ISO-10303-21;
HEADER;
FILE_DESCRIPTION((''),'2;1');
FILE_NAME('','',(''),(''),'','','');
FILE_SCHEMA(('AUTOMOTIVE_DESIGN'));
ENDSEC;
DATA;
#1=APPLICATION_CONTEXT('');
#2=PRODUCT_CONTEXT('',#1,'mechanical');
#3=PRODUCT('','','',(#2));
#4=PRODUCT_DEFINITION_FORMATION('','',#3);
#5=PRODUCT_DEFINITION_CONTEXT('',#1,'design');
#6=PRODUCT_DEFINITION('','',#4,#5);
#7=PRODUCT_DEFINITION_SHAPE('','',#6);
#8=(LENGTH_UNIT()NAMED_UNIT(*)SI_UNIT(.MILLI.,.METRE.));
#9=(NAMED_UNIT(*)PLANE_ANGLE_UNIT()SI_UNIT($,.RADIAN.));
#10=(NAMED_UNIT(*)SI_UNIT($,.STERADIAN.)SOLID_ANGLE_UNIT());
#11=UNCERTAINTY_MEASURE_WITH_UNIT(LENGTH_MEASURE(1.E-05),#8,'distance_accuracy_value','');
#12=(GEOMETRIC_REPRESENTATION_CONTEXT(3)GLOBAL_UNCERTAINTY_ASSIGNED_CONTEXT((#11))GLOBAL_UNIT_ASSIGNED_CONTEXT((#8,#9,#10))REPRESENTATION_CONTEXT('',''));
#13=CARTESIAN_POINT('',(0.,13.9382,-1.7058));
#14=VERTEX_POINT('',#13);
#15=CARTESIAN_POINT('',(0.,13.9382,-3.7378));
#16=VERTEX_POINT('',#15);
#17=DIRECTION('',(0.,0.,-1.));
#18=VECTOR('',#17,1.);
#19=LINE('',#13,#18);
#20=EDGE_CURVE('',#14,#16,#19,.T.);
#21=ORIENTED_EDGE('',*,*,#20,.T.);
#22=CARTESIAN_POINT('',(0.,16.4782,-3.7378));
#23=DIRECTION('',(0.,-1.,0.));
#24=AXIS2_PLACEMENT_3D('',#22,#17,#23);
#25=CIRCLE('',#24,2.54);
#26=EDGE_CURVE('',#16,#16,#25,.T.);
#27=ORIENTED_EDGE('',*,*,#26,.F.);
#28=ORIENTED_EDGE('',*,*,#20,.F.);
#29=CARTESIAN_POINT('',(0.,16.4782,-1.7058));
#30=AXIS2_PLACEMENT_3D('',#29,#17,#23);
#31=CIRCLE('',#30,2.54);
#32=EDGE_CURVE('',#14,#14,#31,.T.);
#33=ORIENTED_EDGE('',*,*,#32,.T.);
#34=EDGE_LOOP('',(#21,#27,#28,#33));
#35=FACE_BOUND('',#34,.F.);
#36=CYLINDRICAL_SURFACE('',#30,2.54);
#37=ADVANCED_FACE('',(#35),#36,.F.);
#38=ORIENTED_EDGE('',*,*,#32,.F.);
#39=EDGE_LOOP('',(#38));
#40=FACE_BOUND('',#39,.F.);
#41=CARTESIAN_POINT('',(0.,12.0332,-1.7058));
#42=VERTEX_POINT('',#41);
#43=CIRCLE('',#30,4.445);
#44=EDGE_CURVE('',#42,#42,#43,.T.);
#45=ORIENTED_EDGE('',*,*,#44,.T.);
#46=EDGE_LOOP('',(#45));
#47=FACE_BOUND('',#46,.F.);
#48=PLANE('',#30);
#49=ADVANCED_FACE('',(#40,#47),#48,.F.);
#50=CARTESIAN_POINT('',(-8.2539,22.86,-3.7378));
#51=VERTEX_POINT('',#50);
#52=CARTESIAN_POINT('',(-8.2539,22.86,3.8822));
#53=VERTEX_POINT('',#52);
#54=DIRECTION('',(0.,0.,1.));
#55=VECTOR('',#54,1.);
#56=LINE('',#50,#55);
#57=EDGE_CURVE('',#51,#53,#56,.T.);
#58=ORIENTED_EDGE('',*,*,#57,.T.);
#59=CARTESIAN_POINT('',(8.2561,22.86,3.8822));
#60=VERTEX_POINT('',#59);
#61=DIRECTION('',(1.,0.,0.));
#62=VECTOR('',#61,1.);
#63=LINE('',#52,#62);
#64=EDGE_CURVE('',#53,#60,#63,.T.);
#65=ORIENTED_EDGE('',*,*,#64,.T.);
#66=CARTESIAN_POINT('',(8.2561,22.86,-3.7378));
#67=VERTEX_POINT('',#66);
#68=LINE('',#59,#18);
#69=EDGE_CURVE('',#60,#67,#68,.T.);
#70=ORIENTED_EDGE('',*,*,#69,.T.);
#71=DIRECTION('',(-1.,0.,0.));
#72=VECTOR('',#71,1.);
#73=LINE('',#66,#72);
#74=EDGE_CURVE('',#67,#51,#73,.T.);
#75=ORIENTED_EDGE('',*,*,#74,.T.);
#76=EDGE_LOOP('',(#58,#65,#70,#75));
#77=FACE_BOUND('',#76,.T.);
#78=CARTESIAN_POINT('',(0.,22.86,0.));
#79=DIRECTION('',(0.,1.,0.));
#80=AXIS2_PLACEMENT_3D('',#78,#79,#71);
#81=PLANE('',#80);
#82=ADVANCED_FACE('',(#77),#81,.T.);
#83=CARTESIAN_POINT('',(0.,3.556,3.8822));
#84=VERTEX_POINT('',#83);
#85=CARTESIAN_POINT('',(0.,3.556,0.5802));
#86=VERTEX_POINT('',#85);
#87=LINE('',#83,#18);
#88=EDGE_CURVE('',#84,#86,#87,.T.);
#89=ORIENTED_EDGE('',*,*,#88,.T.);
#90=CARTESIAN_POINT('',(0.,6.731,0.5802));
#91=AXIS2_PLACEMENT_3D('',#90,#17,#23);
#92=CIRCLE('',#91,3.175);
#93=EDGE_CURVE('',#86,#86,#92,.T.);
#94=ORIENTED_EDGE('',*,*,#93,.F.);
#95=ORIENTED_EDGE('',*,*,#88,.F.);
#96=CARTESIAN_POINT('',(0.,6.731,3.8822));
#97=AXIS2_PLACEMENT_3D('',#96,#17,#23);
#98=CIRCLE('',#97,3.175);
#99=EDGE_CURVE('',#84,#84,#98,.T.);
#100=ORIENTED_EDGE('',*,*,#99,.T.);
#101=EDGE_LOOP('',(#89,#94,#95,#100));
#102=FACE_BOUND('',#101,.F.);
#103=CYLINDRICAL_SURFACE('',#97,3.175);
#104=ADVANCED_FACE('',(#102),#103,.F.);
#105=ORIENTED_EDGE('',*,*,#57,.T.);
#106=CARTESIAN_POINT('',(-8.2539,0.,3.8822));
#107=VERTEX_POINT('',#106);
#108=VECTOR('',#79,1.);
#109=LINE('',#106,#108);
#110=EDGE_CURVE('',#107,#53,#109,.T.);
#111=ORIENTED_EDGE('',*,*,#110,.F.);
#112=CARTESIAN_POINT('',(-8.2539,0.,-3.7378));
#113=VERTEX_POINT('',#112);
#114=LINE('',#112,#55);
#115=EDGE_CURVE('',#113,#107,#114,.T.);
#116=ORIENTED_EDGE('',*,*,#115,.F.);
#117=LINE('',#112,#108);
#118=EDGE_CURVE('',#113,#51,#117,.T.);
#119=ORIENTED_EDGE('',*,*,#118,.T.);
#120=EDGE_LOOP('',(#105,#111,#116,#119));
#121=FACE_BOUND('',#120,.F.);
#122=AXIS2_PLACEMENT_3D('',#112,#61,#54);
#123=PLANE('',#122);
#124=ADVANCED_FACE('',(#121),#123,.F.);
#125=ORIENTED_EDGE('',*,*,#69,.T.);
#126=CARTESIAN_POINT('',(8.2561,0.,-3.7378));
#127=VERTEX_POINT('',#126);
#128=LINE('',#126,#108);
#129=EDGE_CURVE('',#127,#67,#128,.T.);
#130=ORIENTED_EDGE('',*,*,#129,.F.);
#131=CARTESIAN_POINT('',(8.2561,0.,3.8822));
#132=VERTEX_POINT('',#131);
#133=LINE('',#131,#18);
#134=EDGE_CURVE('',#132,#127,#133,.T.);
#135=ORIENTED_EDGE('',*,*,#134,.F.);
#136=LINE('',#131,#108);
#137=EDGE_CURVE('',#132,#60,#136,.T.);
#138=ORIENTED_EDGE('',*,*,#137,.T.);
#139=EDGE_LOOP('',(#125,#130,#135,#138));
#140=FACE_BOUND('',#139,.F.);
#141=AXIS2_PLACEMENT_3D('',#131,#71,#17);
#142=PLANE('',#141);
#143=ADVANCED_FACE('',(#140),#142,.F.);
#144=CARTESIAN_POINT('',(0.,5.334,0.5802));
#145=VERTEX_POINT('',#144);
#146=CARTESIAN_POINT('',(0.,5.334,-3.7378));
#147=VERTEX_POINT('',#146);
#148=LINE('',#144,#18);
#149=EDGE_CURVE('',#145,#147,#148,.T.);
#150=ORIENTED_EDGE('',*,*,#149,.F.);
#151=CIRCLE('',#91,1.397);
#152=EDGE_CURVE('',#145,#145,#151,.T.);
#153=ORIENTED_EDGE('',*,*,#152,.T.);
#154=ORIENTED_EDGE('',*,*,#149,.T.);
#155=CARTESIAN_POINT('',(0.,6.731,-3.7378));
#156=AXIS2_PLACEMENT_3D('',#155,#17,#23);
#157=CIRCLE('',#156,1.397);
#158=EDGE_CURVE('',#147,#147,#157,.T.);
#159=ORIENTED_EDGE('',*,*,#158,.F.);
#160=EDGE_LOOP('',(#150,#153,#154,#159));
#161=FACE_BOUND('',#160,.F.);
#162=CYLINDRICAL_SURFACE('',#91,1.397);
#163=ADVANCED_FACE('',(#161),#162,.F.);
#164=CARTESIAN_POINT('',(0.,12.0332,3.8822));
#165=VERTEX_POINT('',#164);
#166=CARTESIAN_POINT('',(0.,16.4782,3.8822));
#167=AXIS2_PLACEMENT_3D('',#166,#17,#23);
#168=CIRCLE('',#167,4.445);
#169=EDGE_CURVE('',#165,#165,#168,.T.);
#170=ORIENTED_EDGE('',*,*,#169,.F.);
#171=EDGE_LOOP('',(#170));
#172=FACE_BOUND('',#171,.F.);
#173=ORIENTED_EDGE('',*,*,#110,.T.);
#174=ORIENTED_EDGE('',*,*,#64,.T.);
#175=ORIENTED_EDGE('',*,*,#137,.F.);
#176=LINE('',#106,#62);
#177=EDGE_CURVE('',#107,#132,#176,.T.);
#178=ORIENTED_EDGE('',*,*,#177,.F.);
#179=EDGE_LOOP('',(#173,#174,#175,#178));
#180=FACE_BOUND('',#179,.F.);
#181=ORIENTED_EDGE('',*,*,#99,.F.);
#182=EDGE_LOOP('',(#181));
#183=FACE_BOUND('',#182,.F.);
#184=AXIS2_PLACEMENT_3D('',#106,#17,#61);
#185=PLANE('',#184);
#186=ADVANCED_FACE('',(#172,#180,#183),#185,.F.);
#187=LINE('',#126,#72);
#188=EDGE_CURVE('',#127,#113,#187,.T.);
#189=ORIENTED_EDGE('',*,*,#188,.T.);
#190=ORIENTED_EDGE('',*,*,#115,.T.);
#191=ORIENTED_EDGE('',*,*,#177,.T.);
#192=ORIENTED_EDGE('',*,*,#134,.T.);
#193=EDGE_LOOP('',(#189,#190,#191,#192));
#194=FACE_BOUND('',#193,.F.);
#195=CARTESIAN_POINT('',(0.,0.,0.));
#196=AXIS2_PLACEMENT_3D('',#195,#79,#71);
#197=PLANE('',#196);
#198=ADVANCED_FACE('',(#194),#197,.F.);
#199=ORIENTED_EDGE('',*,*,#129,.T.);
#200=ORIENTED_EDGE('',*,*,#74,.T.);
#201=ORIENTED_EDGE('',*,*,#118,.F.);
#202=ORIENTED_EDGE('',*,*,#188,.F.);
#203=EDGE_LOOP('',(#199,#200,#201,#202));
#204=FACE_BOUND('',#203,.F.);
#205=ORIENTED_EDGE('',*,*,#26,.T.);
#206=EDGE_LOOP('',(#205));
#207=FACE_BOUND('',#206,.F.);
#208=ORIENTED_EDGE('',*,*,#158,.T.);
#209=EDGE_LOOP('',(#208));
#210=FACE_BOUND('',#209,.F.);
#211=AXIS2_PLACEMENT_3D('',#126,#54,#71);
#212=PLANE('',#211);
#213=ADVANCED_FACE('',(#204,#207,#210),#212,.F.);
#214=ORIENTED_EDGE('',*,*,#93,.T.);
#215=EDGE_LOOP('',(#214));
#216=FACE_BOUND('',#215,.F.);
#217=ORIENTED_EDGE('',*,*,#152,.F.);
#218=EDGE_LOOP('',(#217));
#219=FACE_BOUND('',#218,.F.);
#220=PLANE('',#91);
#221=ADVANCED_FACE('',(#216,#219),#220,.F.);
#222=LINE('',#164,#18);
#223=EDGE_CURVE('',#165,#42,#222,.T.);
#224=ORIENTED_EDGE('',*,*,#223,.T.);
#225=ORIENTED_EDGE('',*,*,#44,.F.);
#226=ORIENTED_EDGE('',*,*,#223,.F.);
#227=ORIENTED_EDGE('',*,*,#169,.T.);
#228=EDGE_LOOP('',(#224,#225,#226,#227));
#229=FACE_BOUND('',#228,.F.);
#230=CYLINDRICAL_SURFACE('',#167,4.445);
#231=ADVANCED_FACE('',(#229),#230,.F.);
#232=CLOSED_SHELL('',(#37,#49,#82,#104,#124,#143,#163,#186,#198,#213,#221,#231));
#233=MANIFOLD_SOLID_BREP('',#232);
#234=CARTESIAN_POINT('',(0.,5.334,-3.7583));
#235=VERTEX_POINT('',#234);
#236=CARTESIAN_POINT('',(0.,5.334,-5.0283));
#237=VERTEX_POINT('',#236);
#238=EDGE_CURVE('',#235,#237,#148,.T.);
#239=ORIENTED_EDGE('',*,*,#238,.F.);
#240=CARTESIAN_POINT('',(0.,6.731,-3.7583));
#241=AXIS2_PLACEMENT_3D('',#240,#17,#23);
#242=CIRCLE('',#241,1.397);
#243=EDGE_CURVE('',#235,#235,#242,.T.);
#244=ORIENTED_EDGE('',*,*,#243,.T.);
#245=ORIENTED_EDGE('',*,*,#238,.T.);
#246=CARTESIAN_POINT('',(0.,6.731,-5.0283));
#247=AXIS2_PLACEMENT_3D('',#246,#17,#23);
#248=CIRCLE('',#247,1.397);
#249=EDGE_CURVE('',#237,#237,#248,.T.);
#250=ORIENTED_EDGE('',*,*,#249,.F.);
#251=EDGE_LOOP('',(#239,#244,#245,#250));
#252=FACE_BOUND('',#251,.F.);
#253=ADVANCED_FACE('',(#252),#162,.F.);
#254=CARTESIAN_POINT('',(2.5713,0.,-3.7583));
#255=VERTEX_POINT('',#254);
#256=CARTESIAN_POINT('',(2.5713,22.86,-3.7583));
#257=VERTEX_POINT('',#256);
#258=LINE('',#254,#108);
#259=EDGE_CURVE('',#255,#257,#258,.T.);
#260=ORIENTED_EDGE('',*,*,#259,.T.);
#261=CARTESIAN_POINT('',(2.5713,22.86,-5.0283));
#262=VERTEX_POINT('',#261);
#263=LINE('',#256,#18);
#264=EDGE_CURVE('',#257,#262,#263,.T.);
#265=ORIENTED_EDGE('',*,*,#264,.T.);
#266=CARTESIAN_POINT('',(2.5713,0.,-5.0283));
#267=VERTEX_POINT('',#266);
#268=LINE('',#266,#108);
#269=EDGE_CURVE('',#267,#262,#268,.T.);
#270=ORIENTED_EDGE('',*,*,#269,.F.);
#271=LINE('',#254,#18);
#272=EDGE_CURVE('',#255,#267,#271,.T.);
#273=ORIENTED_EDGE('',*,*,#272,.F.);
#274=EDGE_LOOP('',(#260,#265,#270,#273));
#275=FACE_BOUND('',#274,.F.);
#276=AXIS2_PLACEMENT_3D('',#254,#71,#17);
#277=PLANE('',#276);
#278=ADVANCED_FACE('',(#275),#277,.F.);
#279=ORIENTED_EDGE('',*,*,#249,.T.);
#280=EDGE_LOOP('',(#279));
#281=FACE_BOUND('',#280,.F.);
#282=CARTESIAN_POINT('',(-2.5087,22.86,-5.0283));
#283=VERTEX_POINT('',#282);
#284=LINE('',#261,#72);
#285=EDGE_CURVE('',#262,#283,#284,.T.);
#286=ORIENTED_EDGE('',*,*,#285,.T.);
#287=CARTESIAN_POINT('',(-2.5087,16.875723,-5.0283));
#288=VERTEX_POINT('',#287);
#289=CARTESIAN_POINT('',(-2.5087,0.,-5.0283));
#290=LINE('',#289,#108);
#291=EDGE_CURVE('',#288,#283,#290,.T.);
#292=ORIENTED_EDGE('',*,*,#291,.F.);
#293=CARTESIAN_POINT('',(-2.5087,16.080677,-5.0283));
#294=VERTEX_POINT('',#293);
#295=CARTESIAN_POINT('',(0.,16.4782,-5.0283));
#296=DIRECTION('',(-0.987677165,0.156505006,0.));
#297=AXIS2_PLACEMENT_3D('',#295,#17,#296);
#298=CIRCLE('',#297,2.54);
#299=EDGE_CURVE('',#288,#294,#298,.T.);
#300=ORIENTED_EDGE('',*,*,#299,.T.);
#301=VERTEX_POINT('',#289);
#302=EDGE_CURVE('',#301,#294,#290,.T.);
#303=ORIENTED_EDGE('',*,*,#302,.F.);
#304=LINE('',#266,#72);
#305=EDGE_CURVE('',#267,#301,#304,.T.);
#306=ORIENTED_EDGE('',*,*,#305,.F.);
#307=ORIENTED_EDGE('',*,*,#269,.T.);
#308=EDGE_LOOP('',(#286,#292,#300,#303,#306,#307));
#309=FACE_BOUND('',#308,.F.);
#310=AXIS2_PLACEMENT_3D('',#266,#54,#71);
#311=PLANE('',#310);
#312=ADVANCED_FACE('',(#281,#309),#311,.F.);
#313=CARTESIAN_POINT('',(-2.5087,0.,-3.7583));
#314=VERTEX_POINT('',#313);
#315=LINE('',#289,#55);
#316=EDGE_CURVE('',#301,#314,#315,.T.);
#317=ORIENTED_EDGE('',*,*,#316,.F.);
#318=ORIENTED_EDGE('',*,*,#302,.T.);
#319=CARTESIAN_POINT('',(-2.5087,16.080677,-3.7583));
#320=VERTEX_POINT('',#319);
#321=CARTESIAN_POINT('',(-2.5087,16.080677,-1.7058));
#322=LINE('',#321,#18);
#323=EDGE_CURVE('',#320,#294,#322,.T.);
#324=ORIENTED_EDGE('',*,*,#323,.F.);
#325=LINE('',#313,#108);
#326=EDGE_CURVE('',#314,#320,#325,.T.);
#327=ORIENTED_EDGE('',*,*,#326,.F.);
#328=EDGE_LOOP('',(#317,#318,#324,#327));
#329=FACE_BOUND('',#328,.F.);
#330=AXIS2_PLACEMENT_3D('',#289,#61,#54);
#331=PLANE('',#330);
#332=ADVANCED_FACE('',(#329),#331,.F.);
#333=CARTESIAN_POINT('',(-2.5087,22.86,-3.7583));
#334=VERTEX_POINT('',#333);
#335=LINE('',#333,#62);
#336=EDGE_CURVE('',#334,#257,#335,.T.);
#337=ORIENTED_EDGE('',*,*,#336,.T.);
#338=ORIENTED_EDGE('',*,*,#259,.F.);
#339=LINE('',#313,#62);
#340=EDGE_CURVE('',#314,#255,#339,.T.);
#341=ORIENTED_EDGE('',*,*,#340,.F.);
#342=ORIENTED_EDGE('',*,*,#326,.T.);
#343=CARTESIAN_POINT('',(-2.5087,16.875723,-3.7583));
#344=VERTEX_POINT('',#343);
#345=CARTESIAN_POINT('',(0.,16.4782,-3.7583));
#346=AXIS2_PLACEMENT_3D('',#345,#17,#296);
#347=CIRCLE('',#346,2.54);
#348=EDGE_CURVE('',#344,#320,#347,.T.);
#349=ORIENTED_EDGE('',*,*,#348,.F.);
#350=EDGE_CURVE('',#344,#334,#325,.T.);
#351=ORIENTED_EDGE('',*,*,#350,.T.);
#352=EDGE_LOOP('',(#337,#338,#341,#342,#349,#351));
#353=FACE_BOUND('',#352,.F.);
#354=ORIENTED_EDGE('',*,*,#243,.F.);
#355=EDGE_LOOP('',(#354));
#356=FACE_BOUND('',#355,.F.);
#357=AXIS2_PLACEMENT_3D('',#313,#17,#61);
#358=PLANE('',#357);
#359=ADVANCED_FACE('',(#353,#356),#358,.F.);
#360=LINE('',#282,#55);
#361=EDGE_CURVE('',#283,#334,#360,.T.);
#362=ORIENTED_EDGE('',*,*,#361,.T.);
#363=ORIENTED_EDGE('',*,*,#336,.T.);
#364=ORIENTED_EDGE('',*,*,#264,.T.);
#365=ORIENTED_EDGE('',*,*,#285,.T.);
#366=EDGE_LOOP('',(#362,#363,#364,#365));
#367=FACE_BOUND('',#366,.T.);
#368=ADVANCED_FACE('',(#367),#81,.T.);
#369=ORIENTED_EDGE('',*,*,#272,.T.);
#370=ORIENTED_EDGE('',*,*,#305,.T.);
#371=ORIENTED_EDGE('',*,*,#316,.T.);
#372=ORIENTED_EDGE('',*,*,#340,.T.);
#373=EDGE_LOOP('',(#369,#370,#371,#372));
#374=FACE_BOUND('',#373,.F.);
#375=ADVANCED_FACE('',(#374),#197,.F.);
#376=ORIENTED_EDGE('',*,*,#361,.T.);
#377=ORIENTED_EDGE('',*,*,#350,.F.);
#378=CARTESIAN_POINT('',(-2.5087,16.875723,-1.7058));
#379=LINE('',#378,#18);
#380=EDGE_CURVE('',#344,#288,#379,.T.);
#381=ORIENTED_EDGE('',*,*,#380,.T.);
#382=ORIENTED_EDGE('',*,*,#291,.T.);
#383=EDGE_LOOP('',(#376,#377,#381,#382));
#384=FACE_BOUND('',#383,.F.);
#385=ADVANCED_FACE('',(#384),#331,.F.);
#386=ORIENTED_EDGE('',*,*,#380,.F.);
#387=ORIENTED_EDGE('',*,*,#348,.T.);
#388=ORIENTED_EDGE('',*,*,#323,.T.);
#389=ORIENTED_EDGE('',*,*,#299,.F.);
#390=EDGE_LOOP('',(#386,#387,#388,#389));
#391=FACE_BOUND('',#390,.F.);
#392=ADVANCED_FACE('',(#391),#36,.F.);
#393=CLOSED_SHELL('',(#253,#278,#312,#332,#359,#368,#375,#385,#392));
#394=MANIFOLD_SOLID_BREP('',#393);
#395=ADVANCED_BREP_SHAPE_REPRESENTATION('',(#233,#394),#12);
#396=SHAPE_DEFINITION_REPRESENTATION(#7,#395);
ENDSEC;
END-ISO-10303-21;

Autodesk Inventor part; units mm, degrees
ref_plane "YZ Plane" through (0, 0, 0) normal (1, 0, 0) x (0, 1, 0)
ref_plane "XZ Plane" through (0, 0, 0) normal (0, 1, 0) x (-1, 0, 0)
ref_plane "XY Plane" through (0, 0, 0) normal (0, 0, 1) x (1, 0, 0)
sketch "Sketch1" plane through (0, 0, 0) normal (0, 1, 0) x (-1, 0, 0)
  line L0 (8.2539, 3.8822) -> (-8.2561, 3.8822)
  line L1 (-8.2561, 3.8822) -> (-8.2561, -3.7378)
  line L2 (-8.2561, -3.7378) -> (8.2539, -3.7378)
  line L3 (8.2539, -3.7378) -> (8.2539, 3.8822)
  line L4 (2.5087, -3.7583) -> (-2.5713, -3.7583)
  line L5 (-2.5713, -3.7583) -> (-2.5713, -5.0283)
  line L6 (-2.5713, -5.0283) -> (2.5087, -5.0283)
  line L7 (2.5087, -5.0283) -> (2.5087, -3.7583)
  point P0 (0, 0)
  dimension "d0" = 16.51
  dimension "d1" = 7.62
  dimension "d2" = 5.08
  dimension "d3" = 1.27
extrude "Extrusion1" add sketch "Sketch1" along normal blind 22.86
sketch "Sketch8" plane through (-8.2539, 0, 3.8822) normal (0, 0, 1) x (1, 0, 0)
  line L0 (8.2539, 0) -> (8.2539, 6.731)
  dimension "d38" = 6.731
hole "Hole5" at (0, 6.731, 3.8822) direction (0, 0, -1) diameter 2.794 end through all counterbore diameter 6.35 counterbore depth 3.302
sketch "Sketch9" plane through (-8.2539, 0, 3.8822) normal (0, 0, 1) x (1, 0, 0)
  line L0 (8.2539, 22.9552) -> (8.2539, 16.4782)
  point P0 (8.2539, 0)
  dimension "d46" = 6.477
hole "Hole6" at (0, 16.4782, 3.8822) direction (0, 0, -1) diameter 5.08 end through all counterbore diameter 8.89 counterbore depth 5.588
